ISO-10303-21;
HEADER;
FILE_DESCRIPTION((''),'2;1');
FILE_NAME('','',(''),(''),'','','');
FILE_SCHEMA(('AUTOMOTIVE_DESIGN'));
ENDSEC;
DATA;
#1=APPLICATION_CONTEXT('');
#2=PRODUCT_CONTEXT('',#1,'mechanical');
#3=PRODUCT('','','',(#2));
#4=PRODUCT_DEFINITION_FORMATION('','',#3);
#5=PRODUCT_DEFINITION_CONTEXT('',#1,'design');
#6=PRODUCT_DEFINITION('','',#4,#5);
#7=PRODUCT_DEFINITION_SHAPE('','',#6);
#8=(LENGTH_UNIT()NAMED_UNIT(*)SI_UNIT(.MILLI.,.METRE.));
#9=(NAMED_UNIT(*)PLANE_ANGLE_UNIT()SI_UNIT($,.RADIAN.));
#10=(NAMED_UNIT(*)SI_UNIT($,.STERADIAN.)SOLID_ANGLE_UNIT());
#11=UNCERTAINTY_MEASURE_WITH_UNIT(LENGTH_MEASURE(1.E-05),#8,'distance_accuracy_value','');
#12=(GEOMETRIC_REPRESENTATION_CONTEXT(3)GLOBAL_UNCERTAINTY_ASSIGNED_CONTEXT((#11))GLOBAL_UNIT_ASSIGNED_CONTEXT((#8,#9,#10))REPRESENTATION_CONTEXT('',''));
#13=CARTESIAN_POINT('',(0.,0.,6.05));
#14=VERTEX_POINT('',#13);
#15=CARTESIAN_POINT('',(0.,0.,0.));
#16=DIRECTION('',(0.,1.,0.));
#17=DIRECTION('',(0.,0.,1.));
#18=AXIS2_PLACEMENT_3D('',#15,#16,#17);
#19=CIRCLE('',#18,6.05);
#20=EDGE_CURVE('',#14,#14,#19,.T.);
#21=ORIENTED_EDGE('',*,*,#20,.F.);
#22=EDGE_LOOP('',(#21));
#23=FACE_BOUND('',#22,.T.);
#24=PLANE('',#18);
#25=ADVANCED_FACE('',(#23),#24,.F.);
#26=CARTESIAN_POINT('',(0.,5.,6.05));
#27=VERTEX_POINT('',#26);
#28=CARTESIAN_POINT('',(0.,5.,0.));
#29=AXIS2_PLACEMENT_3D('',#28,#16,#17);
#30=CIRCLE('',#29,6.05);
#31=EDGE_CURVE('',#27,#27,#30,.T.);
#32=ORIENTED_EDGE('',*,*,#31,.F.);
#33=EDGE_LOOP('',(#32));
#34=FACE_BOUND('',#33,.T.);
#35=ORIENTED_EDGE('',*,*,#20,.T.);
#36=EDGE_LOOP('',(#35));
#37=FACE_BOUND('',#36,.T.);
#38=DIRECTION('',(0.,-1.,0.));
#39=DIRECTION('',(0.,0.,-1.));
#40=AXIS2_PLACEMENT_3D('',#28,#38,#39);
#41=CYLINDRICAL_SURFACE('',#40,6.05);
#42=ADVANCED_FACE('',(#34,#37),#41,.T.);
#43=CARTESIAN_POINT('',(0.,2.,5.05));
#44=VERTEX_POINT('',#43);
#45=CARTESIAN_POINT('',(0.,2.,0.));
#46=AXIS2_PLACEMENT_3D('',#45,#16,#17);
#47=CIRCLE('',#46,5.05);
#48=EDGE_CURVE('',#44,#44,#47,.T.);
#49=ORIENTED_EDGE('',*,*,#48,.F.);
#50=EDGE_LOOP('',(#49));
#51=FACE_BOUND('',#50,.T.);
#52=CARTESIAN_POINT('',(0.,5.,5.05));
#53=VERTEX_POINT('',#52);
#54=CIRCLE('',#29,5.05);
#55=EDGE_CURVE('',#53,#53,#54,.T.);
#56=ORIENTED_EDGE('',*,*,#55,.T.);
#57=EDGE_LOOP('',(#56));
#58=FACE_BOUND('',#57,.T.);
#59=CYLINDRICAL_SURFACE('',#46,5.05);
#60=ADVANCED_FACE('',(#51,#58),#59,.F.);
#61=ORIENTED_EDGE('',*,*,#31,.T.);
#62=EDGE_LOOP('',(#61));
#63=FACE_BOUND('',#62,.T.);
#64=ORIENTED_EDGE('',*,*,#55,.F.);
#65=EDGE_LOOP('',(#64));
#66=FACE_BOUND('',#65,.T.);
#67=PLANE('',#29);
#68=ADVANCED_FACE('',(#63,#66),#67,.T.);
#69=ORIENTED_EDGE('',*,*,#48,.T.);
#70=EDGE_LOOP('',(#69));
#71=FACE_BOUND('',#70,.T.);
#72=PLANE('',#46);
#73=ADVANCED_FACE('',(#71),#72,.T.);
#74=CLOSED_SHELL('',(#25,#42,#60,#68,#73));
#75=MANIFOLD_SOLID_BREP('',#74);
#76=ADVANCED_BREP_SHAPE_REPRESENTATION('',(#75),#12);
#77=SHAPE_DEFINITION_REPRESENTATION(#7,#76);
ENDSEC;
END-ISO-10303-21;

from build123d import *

# Parameters (mm, degrees)
SKETCH_1_R          = 6.05
EXTRUDE_1_DEPTH     = 5
SKETCH_2_R          = 5.05
CUT_EXTRUDE_1_DEPTH = 3


with BuildPart() as part:
    # 草图1 → 凸台-拉伸1 (new body)
    with BuildSketch(Plane(origin=(0, 0, 0), x_dir=(1, 0, 0), z_dir=(0, 1, 0))):
        with Locations(Location((0, 0, 0), (0, 0, 270))):
            Circle(SKETCH_1_R)
    extrude(amount=EXTRUDE_1_DEPTH)

    # 草图2 → 切除-拉伸1 (cut)
    with BuildSketch(Plane(origin=(0, 5, 0), x_dir=(1, 0, 0), z_dir=(0, 1, 0))):
        with Locations(Location((0, 0, 0), (0, 0, 270))):
            Circle(SKETCH_2_R)
    extrude(amount=-CUT_EXTRUDE_1_DEPTH, mode=Mode.SUBTRACT)


solid = part.part
